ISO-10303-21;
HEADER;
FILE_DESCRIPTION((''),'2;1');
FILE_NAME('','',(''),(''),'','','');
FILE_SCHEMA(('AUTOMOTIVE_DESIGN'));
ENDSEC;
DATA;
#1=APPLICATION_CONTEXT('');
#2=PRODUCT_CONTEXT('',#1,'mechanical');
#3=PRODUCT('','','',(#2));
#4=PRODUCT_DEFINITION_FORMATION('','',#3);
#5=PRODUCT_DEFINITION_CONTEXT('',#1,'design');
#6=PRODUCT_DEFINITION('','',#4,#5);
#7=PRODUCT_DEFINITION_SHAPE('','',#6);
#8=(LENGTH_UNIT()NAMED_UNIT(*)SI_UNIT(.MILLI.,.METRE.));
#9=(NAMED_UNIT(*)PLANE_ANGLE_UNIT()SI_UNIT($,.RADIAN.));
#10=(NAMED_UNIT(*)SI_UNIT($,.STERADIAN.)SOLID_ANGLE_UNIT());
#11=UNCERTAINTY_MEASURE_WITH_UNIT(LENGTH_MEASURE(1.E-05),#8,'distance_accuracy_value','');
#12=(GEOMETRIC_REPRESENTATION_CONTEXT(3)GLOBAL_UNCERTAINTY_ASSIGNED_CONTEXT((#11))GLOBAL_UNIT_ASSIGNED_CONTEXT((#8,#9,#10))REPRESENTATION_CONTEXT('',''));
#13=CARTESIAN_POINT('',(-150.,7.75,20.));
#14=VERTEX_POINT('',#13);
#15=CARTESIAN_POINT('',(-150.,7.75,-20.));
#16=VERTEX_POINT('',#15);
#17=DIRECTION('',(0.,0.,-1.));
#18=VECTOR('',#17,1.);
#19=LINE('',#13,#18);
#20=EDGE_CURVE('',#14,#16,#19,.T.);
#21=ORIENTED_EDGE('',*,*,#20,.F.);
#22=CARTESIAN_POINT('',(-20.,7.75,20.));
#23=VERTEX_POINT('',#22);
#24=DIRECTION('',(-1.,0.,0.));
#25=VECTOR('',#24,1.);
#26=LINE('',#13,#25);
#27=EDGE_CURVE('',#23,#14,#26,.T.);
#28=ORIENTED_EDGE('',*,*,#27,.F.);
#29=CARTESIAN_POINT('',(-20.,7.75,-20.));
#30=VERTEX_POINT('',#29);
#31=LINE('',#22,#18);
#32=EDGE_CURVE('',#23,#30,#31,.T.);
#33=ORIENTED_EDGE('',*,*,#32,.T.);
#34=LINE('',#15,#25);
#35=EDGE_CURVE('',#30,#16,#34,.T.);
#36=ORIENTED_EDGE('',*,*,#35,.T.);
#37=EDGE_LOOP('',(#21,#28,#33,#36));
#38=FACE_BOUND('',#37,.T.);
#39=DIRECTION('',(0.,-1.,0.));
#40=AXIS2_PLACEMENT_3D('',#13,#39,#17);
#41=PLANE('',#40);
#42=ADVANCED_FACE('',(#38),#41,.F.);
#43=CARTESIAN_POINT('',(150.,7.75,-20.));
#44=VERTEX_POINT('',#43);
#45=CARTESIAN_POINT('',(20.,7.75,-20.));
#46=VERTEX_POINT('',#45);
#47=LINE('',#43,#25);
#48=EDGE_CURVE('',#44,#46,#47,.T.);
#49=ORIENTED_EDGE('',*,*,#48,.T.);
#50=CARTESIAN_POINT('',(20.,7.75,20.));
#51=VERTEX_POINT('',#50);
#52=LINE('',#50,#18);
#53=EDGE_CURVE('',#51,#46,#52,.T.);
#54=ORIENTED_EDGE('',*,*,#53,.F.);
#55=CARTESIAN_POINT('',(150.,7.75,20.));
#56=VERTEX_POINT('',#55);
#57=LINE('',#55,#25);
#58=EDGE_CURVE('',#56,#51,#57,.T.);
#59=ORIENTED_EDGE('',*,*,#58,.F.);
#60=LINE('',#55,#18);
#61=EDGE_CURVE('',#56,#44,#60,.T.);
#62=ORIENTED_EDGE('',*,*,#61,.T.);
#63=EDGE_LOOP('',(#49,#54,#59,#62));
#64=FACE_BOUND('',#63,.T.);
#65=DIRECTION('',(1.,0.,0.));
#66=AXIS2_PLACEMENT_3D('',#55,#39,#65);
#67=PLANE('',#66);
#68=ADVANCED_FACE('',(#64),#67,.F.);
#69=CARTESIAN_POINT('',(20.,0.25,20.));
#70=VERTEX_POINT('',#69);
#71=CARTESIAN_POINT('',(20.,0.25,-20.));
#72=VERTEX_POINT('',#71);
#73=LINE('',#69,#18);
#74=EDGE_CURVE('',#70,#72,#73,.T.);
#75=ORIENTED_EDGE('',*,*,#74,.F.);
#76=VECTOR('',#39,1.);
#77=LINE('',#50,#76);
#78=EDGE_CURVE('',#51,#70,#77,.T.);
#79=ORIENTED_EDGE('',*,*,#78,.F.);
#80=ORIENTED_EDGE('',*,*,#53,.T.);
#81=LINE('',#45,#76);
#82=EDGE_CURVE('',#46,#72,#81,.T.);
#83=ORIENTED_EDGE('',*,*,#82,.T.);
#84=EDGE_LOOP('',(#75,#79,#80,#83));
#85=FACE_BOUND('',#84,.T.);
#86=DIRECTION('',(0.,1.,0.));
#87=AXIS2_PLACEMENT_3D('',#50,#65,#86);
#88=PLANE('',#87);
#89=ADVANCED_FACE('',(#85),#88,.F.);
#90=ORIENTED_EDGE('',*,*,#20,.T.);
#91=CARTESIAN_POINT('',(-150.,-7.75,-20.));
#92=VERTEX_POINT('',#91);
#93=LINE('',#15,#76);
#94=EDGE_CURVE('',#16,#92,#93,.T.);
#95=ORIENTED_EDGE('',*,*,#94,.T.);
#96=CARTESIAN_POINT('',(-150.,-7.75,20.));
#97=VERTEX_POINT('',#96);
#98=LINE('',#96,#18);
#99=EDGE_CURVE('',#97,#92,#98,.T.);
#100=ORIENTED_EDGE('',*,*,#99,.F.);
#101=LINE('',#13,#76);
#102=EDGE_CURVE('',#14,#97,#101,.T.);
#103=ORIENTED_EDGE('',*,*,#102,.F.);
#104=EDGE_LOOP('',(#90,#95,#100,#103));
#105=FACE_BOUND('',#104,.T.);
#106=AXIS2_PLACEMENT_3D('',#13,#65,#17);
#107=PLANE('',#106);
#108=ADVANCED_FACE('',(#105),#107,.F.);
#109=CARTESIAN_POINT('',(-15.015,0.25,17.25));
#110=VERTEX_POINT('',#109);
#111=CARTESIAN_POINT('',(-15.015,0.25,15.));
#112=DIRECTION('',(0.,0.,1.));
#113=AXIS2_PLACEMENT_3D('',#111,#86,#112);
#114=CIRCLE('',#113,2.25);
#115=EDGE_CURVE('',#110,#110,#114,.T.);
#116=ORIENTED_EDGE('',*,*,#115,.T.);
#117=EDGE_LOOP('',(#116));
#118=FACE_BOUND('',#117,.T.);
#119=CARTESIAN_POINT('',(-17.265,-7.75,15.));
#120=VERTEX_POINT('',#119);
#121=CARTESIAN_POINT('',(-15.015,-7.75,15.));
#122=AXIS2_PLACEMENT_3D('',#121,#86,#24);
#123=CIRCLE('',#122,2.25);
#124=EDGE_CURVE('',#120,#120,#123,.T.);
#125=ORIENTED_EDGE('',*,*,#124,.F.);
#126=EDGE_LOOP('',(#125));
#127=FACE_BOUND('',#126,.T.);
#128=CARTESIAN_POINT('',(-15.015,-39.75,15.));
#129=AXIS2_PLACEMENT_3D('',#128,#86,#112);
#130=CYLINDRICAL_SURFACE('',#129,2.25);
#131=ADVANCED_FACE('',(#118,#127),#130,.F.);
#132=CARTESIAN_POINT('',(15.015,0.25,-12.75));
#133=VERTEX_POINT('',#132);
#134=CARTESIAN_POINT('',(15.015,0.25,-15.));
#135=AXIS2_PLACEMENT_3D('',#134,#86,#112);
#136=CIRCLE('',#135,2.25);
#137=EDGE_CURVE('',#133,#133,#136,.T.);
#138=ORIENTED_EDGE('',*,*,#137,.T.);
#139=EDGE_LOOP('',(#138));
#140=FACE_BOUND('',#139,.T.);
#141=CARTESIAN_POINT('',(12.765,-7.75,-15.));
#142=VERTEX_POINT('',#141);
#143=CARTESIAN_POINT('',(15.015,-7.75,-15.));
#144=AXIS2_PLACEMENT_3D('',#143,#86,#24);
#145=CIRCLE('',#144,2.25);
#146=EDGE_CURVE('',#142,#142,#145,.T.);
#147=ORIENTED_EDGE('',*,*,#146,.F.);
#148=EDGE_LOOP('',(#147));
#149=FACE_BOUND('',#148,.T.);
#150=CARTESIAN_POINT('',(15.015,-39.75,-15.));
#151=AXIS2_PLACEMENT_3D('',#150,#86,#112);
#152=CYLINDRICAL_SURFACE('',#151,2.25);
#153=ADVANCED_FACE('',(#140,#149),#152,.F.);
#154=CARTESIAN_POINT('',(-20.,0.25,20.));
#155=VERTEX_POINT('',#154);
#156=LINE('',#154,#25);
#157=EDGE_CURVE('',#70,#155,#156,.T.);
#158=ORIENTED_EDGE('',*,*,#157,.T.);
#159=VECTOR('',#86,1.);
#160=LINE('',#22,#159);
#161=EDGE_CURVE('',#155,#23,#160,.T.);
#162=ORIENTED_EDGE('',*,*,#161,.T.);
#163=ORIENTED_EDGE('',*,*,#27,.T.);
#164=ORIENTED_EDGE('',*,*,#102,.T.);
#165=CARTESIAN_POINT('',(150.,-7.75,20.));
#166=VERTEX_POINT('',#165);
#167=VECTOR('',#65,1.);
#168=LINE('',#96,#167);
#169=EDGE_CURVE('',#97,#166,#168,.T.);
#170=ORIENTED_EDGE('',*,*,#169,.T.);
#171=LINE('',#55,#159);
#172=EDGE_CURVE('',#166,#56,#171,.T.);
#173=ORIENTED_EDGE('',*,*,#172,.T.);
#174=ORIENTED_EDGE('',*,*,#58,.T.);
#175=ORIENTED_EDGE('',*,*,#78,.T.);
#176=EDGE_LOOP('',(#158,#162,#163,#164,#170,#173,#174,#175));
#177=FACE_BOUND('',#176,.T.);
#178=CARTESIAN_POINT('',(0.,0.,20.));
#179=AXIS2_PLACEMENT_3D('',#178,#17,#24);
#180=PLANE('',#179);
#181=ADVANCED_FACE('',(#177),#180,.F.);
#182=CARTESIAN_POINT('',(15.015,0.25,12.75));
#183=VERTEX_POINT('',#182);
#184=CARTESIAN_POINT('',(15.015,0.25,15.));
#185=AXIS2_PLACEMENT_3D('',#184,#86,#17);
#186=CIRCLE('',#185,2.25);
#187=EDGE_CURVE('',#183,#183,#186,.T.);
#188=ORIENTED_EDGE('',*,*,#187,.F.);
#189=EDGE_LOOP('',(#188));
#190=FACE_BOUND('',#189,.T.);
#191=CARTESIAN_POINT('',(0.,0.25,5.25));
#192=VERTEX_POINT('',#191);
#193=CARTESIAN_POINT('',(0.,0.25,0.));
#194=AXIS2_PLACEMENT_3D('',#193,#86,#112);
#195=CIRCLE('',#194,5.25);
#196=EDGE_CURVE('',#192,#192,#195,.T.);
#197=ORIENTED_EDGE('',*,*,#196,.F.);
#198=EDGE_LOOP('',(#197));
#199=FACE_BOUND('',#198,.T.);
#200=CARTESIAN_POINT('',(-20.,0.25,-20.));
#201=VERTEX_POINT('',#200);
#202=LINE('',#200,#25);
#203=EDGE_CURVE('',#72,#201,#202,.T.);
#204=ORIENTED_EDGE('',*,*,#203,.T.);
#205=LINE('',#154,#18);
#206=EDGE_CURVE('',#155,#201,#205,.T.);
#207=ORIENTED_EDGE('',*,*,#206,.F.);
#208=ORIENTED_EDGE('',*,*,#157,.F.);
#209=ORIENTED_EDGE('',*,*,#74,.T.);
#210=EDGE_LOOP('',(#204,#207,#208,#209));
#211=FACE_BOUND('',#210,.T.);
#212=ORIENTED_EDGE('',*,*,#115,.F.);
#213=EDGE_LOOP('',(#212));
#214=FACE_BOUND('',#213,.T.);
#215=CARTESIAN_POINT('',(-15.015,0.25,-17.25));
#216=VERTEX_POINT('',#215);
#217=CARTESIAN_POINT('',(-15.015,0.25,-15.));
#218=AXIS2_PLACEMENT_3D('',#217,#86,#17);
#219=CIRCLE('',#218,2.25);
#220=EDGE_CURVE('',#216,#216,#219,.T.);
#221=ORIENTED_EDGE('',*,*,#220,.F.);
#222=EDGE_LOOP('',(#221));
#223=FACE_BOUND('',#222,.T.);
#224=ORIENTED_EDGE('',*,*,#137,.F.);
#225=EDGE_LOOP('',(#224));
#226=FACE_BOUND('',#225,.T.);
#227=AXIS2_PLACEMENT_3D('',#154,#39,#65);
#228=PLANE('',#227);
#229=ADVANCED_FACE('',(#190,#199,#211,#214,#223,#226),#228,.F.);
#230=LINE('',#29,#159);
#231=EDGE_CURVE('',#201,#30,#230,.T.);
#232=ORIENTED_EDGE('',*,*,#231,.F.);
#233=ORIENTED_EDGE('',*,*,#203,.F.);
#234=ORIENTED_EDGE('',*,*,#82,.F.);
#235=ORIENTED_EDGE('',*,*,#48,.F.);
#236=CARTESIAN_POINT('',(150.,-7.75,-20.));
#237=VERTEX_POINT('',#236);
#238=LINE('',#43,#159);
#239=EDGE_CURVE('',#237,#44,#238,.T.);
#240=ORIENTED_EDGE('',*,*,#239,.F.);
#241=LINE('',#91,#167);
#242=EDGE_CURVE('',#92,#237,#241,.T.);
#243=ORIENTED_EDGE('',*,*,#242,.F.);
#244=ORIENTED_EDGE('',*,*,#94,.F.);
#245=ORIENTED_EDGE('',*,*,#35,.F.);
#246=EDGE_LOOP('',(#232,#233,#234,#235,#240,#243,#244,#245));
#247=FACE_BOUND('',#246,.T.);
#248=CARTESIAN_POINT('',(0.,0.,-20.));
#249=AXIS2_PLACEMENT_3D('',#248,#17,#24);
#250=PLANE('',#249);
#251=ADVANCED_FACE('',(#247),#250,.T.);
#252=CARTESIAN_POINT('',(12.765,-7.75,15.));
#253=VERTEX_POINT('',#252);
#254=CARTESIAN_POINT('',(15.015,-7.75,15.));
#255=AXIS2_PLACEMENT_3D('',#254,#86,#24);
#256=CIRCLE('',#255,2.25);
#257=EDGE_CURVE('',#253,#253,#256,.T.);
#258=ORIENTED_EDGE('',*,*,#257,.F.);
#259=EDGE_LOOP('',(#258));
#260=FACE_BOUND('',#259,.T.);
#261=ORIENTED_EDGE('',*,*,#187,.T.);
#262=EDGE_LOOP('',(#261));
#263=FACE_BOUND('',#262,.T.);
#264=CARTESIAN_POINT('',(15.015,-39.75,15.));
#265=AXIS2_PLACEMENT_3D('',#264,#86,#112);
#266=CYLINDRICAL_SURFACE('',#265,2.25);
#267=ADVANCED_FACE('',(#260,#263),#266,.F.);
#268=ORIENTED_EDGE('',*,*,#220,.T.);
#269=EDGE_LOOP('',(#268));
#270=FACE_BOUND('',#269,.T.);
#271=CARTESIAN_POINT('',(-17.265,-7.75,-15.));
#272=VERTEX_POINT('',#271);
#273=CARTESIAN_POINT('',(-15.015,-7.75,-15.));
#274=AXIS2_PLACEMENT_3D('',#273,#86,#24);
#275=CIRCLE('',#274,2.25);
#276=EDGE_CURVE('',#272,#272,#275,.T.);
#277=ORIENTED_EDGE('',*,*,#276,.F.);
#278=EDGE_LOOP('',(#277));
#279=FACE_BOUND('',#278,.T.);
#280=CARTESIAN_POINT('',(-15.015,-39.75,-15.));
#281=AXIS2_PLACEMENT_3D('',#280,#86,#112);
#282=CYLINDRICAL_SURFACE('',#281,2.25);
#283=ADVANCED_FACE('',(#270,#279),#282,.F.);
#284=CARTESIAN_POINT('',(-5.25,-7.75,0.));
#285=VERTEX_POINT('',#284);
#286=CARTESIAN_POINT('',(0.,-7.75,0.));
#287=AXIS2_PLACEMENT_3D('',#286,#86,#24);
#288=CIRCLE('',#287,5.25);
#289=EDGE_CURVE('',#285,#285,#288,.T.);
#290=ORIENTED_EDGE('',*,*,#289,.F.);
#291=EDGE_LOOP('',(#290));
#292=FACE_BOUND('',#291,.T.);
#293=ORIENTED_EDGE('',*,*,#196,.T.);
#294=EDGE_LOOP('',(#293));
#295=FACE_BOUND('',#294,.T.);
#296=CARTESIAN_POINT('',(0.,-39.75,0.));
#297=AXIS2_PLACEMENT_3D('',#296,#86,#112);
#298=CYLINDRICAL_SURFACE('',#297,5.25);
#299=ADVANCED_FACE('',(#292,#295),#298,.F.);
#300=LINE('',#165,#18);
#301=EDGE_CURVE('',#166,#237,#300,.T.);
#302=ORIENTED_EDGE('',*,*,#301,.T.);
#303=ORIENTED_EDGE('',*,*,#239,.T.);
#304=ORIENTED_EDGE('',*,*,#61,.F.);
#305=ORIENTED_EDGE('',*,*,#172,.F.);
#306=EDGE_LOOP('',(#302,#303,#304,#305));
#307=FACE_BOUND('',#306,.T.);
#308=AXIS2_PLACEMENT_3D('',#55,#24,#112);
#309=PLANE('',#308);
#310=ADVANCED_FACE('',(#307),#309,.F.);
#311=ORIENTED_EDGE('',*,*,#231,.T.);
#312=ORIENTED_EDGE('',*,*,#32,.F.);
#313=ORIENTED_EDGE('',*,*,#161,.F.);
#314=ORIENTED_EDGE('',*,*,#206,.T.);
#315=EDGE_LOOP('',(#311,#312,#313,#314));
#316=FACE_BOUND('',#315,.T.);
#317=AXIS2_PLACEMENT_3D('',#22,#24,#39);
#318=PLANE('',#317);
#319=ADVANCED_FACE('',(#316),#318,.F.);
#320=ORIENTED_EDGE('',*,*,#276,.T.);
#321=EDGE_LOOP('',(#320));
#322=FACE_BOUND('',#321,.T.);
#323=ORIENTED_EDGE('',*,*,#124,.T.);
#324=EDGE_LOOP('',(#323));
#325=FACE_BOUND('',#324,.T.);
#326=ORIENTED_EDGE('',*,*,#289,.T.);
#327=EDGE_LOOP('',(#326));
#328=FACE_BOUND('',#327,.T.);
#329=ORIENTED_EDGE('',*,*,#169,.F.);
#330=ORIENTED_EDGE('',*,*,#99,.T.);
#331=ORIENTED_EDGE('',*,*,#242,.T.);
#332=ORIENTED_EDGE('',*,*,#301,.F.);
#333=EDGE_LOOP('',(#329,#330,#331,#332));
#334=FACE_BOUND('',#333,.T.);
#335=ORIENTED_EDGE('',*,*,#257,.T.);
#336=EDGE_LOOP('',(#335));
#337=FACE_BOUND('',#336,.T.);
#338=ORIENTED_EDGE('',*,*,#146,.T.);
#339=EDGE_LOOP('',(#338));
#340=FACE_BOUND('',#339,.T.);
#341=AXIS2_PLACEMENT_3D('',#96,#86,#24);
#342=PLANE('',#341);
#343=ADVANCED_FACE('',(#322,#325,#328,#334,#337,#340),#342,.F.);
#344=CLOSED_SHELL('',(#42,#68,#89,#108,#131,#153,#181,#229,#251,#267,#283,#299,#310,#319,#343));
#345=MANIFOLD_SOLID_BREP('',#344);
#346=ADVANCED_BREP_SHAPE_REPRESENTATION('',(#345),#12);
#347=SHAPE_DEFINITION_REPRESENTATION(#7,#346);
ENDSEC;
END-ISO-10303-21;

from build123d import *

# Parameters (mm, degrees)
BOSS_EXTRUDE1_DEPTH = 20
SKETCH2_R           = 2.25
SKETCH2_R_2         = 5.25
CUT_EXTRUDE1_DEPTH  = 40


with BuildPart() as part:
    # Sketch1 → Boss-Extrude1 (new, symmetric)
    with BuildSketch(Plane.XY):
        Polygon((-150, 7.75), (-150, -7.75), (150, -7.75), (150, 7.75), (20, 7.75), (20, 0.25), (-20, 0.25), (-20, 7.75), align=None)
    extrude(amount=BOSS_EXTRUDE1_DEPTH, both=True)

    # Sketch2 → Cut-Extrude1 (cut)
    with BuildSketch(Plane(origin=(0, 0.25, 0), x_dir=(1, 0, 0), z_dir=(0, 1, 0))):
        with Locations(Location((15.015, 15, 0), (0, 0, 270))):
            Circle(SKETCH2_R)
        with Locations(Location((-15.015, 15, 0), (0, 0, 180))):
            Circle(SKETCH2_R)
        with Locations(Location((15.015, -15, 0), (0, 0, 180))):
            Circle(SKETCH2_R)
        with Locations(Location((-15.015, -15, 0), (0, 0, 270))):
            Circle(SKETCH2_R)
        with Locations(Location((0, 0, 0), (0, 0, 270))):
            Circle(SKETCH2_R_2)
    extrude(amount=-CUT_EXTRUDE1_DEPTH, mode=Mode.SUBTRACT)


solid = part.part
